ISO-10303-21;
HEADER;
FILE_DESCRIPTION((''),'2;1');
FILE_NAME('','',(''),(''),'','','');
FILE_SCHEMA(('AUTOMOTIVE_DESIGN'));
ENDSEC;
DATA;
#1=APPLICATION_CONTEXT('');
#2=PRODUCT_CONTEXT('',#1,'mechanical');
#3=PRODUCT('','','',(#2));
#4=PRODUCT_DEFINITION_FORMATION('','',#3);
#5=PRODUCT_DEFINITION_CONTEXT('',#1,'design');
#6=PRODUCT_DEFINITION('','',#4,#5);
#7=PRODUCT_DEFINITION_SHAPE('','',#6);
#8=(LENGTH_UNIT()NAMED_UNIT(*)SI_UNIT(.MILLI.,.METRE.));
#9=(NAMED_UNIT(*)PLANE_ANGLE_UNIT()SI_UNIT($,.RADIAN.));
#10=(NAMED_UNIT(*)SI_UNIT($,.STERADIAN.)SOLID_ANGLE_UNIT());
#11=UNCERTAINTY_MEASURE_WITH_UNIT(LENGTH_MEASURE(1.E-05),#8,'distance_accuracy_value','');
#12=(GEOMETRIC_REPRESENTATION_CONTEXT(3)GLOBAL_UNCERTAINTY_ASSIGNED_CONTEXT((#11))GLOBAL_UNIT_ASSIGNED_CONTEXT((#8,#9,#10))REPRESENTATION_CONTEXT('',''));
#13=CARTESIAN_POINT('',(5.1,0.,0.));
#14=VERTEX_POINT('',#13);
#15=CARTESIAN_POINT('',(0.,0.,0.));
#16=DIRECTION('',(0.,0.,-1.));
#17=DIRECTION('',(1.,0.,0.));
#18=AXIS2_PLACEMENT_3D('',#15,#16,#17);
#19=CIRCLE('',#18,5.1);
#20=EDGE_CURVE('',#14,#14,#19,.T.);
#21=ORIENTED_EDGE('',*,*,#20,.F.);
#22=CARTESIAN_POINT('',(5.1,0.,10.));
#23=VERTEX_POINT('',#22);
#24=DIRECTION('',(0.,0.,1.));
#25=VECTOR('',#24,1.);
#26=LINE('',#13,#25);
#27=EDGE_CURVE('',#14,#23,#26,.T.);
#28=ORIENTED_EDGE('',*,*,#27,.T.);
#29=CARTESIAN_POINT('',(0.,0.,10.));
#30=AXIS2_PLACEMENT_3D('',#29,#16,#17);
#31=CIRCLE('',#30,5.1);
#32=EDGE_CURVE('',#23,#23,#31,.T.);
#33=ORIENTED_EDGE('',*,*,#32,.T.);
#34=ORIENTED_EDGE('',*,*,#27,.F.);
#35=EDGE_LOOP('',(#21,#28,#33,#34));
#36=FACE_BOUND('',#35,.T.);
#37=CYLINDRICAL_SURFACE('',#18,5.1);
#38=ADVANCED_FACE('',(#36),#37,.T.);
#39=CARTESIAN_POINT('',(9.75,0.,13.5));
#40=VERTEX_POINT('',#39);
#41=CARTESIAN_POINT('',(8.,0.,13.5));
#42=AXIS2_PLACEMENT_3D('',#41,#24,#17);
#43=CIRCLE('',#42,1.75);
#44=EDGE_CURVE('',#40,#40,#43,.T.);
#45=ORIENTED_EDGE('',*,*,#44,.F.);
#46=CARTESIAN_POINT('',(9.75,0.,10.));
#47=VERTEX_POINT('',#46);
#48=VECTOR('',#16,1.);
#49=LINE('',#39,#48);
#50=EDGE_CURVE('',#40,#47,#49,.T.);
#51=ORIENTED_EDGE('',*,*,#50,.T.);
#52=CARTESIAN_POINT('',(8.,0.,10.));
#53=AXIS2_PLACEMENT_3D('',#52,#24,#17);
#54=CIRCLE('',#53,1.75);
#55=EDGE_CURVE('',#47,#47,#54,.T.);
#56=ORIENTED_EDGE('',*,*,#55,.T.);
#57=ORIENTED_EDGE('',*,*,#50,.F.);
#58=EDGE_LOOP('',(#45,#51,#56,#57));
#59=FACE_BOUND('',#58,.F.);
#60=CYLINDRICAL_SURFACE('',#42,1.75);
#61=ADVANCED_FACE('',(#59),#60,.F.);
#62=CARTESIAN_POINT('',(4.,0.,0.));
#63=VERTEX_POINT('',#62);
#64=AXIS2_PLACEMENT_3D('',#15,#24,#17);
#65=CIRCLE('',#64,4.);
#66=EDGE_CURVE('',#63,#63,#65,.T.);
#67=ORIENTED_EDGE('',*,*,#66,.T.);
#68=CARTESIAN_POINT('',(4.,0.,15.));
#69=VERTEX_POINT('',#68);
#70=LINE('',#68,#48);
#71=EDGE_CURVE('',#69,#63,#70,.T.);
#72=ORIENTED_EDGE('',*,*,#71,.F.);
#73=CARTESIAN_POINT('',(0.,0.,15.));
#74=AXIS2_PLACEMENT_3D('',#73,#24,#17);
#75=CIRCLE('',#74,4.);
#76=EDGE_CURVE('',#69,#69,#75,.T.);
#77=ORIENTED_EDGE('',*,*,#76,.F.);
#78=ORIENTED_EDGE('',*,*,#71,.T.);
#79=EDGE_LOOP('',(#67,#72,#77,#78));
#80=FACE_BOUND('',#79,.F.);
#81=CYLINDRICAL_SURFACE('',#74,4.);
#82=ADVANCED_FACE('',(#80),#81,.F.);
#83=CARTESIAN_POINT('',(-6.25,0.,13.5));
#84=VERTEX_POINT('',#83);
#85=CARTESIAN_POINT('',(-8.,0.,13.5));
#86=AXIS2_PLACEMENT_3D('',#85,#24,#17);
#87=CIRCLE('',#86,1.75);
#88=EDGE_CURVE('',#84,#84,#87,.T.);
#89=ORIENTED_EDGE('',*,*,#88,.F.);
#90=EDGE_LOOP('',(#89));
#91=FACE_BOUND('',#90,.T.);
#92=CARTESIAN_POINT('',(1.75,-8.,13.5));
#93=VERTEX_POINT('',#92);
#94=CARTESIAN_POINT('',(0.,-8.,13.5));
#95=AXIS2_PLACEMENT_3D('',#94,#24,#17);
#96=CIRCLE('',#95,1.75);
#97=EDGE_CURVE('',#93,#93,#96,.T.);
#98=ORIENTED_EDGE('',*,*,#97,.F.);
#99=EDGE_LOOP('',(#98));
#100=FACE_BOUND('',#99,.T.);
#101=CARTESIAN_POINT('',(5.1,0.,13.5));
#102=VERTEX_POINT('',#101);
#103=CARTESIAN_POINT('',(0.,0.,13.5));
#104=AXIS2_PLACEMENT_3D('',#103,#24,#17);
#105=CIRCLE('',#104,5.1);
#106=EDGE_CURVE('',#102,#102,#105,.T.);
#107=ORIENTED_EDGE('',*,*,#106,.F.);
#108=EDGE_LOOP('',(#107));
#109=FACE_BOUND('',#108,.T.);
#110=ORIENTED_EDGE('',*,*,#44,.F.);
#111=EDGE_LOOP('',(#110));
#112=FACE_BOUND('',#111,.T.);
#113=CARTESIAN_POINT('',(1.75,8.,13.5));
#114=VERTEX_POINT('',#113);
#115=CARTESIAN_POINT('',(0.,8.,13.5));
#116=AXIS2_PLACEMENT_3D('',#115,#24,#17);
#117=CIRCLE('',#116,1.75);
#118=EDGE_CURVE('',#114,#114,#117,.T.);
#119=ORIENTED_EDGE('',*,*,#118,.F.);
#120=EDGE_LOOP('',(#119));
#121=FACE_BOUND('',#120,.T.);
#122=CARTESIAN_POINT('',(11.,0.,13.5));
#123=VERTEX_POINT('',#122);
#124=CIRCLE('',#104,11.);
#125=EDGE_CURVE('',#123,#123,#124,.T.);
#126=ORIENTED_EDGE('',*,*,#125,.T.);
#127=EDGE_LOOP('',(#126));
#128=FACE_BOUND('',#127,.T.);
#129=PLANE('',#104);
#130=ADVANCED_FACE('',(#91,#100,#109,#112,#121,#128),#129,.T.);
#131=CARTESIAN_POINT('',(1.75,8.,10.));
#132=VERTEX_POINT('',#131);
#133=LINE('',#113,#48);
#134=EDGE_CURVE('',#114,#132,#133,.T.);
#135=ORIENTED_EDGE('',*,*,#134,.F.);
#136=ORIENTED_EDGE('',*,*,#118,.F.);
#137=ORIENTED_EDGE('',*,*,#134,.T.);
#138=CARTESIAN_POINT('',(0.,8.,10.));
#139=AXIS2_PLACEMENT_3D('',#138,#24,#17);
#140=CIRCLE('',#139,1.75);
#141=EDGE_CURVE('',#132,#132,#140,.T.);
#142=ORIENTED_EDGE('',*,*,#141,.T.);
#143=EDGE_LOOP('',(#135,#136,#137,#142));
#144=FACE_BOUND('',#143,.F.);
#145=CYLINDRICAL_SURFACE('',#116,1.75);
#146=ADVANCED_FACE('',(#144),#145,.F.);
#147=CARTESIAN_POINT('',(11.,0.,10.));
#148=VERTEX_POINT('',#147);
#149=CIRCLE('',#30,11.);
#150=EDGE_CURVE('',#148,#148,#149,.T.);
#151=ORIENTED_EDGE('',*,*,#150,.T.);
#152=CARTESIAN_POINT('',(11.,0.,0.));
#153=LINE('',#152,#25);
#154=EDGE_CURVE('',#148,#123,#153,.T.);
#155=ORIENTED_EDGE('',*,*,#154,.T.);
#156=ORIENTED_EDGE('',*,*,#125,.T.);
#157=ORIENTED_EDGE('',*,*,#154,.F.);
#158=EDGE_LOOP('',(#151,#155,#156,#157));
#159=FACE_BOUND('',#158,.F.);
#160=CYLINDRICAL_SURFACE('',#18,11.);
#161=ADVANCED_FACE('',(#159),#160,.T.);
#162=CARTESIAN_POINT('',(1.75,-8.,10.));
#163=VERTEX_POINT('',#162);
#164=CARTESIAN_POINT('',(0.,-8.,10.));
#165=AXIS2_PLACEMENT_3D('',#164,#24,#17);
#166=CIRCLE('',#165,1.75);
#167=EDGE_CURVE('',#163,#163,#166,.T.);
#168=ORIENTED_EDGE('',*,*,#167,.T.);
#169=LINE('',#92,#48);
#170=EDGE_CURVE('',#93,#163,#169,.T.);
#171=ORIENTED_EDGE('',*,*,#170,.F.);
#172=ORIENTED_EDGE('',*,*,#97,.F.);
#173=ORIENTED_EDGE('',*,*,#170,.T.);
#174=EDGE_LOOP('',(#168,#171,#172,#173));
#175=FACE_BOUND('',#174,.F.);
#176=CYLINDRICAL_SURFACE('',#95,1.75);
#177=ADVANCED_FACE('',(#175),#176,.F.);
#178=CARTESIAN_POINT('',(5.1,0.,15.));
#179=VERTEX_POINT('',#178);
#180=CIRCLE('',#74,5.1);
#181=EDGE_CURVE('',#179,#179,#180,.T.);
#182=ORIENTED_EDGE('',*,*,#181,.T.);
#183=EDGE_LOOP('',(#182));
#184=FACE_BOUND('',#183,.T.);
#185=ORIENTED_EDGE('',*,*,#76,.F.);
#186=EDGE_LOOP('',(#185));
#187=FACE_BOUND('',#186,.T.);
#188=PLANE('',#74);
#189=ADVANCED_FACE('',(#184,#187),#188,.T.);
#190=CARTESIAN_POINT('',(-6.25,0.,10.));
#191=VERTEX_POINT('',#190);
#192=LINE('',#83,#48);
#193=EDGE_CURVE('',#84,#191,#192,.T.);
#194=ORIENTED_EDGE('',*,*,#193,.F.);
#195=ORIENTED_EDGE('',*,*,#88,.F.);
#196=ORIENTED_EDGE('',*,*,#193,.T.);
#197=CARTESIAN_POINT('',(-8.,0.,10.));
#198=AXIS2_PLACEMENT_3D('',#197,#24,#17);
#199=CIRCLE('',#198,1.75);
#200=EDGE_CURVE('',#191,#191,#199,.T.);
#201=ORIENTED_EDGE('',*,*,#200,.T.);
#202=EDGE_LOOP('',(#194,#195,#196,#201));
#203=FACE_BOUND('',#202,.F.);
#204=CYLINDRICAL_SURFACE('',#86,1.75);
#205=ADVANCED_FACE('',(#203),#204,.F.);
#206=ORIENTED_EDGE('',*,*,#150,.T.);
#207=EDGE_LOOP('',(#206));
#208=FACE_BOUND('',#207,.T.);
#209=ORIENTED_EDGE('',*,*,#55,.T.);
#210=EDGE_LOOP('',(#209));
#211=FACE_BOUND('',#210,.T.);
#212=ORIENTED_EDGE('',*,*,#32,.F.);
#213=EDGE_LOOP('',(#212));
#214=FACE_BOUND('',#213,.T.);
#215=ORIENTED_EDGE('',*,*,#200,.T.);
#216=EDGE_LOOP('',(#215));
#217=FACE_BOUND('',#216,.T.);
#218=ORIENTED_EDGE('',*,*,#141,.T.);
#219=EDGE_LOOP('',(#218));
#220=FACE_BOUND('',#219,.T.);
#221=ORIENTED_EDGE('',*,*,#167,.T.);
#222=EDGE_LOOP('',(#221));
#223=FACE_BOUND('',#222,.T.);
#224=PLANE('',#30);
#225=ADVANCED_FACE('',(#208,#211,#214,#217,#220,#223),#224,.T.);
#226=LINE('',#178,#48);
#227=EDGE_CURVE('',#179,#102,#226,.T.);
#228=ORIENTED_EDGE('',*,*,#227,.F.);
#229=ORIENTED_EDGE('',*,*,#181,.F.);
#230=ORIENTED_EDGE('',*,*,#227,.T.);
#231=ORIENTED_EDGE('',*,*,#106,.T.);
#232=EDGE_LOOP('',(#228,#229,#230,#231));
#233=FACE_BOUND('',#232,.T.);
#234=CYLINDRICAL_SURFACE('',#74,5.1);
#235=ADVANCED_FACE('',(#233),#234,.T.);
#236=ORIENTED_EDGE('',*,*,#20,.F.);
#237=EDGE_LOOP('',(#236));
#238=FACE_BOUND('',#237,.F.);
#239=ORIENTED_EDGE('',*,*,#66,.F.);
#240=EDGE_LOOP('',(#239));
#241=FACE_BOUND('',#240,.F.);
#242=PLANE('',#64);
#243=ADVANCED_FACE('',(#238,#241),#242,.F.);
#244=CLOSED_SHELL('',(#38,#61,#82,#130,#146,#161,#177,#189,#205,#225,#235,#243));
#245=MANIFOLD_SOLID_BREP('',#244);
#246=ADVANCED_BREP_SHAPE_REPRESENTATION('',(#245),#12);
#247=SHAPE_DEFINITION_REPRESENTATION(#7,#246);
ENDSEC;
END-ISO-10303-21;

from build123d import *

# Parameters (mm, degrees)
SKETCH_R        = 11
PAD_DEPTH       = 15
SKETCH001_R     = 11
SKETCH001_R_2   = 5.1
POCKET_DEPTH    = 1.5
SKETCH002_R     = 11
SKETCH002_R_2   = 5.1
POCKET001_DEPTH = 10
SKETCH003_R     = 1.75
POCKET002_DEPTH = 13.501
SKETCH004_R     = 4
POCKET003_DEPTH = 15.001


with BuildPart() as part:
    # Sketch → Pad (new body)
    with BuildSketch(Plane.XY):
        Circle(SKETCH_R)
    extrude(amount=PAD_DEPTH)

    # Sketch001 (on Face3 of Pad) → Pocket (cut)
    with BuildSketch(Plane.XY.offset(15)):
        Circle(SKETCH001_R)
        Circle(SKETCH001_R_2, mode=Mode.SUBTRACT)
    extrude(amount=-POCKET_DEPTH, mode=Mode.SUBTRACT)

    # Sketch002 (on Face2 of Pocket) → Pocket001 (cut)
    with BuildSketch(Plane(origin=(0, 0, 0), x_dir=(1, 0, 0), z_dir=(0, 0, -1))):
        Circle(SKETCH002_R)
        Circle(SKETCH002_R_2, mode=Mode.SUBTRACT)
    extrude(amount=-POCKET001_DEPTH, mode=Mode.SUBTRACT)

    # Sketch003 (on Face3 of Pocket001) → Pocket002 (cut, through all)
    with BuildSketch(Plane.XY.offset(13.5)):
        with Locations((8, 0)):
            Circle(SKETCH003_R)
        with Locations((-8, 0)):
            Circle(SKETCH003_R)
        with Locations((0, 8)):
            Circle(SKETCH003_R)
        with Locations((0, -8)):
            Circle(SKETCH003_R)
    extrude(amount=-POCKET002_DEPTH, mode=Mode.SUBTRACT)

    # Sketch004 (on Face11 of Pocket002) → Pocket003 (cut, through all)
    with BuildSketch(Plane.XY.offset(15)):
        Circle(SKETCH004_R)
    extrude(amount=-POCKET003_DEPTH, mode=Mode.SUBTRACT)


solid = part.part
